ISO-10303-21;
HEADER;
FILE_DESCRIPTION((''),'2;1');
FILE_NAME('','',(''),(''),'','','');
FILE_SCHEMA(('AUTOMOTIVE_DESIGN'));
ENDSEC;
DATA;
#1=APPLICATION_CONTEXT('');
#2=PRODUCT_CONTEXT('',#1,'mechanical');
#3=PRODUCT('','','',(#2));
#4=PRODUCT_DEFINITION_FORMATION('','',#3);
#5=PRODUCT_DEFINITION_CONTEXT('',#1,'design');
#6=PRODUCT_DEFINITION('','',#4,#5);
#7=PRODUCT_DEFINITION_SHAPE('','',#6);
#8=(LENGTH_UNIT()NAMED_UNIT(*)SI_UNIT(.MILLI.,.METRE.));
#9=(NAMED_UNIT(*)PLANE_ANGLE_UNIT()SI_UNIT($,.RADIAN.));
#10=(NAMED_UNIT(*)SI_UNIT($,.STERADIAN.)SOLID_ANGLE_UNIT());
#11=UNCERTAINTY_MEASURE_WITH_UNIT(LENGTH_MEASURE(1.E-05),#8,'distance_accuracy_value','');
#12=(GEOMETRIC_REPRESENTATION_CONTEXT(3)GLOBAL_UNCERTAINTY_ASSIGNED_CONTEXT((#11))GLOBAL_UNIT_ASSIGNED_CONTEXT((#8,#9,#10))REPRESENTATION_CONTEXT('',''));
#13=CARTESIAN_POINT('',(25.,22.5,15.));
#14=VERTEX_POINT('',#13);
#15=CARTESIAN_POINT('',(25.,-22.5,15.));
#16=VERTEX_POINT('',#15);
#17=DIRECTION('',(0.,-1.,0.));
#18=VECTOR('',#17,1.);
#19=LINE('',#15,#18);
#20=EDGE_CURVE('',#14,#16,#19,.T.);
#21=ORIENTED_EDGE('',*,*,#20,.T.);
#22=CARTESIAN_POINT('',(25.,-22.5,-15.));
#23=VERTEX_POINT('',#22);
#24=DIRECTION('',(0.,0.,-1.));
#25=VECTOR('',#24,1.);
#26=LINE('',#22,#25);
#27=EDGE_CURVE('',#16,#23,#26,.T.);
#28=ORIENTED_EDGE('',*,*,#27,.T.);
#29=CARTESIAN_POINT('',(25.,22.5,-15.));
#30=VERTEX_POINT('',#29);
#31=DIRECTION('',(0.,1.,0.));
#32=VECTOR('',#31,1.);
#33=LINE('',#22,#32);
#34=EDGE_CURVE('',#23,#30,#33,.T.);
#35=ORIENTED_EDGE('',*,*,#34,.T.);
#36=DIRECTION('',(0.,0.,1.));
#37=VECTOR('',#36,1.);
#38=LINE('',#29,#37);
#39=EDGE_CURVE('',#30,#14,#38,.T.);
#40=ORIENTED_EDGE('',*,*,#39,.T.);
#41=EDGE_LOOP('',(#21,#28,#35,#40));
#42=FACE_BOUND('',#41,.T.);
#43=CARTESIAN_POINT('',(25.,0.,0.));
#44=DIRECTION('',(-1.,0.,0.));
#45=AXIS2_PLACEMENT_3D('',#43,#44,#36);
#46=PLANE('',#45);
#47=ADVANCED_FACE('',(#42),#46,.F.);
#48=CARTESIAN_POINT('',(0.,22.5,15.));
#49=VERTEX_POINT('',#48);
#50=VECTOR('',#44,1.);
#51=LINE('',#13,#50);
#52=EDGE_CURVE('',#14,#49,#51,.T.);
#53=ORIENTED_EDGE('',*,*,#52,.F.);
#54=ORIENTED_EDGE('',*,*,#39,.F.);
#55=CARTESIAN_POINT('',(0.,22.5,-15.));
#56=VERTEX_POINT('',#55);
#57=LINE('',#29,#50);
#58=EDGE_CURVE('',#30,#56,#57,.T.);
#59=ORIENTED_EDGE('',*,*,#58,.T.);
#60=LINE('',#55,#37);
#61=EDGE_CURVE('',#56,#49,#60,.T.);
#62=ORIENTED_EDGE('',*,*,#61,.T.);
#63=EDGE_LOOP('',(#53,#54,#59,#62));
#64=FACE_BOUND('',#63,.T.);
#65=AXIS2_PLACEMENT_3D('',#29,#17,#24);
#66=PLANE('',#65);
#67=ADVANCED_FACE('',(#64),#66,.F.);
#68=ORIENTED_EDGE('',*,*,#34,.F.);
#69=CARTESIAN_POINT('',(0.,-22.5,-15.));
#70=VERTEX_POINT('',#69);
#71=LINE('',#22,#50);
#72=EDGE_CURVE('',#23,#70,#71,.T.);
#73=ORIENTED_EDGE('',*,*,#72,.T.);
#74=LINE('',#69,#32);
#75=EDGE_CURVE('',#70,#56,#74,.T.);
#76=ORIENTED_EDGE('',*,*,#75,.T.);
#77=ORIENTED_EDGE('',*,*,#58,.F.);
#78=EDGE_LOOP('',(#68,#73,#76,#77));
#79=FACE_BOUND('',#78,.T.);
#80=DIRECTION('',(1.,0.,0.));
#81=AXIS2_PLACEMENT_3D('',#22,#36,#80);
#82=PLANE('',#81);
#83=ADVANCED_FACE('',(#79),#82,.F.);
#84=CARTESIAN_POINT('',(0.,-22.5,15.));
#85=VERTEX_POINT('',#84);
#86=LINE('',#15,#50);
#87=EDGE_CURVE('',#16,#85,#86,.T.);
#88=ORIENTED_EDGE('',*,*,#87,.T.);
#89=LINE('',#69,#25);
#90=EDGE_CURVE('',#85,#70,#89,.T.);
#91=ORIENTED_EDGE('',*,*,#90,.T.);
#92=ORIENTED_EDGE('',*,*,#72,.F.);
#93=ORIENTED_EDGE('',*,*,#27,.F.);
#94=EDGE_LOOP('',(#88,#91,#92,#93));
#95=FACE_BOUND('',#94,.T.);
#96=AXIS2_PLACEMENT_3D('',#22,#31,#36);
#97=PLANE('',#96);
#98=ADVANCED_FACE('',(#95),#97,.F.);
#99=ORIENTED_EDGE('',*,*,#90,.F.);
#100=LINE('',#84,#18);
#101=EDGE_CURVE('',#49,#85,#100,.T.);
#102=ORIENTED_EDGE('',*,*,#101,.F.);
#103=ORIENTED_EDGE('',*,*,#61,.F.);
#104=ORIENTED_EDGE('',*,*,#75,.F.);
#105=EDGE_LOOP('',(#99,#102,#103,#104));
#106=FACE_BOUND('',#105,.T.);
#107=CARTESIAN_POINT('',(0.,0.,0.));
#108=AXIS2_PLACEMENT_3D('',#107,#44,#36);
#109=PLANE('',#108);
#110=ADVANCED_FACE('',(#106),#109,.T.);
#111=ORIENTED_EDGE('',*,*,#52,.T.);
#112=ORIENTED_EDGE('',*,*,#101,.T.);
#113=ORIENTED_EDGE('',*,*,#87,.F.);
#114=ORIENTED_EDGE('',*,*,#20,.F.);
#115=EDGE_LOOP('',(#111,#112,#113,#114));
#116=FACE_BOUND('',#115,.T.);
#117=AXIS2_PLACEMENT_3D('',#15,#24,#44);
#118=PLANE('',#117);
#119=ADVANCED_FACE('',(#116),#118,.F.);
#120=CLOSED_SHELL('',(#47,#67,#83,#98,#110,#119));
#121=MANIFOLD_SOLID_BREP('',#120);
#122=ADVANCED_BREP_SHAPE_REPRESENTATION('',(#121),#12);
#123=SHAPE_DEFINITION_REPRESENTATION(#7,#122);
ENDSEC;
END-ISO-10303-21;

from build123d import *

# Parameters (mm, degrees)
SKETCH2_W           = 45
SKETCH2_H           = 30
BOSS_EXTRUDE1_DEPTH = 25


with BuildPart() as part:
    # Sketch2 → Boss-Extrude1 (new body)
    with BuildSketch(Plane.YZ):
        Rectangle(SKETCH2_W, SKETCH2_H)
    extrude(amount=BOSS_EXTRUDE1_DEPTH)


solid = part.part
